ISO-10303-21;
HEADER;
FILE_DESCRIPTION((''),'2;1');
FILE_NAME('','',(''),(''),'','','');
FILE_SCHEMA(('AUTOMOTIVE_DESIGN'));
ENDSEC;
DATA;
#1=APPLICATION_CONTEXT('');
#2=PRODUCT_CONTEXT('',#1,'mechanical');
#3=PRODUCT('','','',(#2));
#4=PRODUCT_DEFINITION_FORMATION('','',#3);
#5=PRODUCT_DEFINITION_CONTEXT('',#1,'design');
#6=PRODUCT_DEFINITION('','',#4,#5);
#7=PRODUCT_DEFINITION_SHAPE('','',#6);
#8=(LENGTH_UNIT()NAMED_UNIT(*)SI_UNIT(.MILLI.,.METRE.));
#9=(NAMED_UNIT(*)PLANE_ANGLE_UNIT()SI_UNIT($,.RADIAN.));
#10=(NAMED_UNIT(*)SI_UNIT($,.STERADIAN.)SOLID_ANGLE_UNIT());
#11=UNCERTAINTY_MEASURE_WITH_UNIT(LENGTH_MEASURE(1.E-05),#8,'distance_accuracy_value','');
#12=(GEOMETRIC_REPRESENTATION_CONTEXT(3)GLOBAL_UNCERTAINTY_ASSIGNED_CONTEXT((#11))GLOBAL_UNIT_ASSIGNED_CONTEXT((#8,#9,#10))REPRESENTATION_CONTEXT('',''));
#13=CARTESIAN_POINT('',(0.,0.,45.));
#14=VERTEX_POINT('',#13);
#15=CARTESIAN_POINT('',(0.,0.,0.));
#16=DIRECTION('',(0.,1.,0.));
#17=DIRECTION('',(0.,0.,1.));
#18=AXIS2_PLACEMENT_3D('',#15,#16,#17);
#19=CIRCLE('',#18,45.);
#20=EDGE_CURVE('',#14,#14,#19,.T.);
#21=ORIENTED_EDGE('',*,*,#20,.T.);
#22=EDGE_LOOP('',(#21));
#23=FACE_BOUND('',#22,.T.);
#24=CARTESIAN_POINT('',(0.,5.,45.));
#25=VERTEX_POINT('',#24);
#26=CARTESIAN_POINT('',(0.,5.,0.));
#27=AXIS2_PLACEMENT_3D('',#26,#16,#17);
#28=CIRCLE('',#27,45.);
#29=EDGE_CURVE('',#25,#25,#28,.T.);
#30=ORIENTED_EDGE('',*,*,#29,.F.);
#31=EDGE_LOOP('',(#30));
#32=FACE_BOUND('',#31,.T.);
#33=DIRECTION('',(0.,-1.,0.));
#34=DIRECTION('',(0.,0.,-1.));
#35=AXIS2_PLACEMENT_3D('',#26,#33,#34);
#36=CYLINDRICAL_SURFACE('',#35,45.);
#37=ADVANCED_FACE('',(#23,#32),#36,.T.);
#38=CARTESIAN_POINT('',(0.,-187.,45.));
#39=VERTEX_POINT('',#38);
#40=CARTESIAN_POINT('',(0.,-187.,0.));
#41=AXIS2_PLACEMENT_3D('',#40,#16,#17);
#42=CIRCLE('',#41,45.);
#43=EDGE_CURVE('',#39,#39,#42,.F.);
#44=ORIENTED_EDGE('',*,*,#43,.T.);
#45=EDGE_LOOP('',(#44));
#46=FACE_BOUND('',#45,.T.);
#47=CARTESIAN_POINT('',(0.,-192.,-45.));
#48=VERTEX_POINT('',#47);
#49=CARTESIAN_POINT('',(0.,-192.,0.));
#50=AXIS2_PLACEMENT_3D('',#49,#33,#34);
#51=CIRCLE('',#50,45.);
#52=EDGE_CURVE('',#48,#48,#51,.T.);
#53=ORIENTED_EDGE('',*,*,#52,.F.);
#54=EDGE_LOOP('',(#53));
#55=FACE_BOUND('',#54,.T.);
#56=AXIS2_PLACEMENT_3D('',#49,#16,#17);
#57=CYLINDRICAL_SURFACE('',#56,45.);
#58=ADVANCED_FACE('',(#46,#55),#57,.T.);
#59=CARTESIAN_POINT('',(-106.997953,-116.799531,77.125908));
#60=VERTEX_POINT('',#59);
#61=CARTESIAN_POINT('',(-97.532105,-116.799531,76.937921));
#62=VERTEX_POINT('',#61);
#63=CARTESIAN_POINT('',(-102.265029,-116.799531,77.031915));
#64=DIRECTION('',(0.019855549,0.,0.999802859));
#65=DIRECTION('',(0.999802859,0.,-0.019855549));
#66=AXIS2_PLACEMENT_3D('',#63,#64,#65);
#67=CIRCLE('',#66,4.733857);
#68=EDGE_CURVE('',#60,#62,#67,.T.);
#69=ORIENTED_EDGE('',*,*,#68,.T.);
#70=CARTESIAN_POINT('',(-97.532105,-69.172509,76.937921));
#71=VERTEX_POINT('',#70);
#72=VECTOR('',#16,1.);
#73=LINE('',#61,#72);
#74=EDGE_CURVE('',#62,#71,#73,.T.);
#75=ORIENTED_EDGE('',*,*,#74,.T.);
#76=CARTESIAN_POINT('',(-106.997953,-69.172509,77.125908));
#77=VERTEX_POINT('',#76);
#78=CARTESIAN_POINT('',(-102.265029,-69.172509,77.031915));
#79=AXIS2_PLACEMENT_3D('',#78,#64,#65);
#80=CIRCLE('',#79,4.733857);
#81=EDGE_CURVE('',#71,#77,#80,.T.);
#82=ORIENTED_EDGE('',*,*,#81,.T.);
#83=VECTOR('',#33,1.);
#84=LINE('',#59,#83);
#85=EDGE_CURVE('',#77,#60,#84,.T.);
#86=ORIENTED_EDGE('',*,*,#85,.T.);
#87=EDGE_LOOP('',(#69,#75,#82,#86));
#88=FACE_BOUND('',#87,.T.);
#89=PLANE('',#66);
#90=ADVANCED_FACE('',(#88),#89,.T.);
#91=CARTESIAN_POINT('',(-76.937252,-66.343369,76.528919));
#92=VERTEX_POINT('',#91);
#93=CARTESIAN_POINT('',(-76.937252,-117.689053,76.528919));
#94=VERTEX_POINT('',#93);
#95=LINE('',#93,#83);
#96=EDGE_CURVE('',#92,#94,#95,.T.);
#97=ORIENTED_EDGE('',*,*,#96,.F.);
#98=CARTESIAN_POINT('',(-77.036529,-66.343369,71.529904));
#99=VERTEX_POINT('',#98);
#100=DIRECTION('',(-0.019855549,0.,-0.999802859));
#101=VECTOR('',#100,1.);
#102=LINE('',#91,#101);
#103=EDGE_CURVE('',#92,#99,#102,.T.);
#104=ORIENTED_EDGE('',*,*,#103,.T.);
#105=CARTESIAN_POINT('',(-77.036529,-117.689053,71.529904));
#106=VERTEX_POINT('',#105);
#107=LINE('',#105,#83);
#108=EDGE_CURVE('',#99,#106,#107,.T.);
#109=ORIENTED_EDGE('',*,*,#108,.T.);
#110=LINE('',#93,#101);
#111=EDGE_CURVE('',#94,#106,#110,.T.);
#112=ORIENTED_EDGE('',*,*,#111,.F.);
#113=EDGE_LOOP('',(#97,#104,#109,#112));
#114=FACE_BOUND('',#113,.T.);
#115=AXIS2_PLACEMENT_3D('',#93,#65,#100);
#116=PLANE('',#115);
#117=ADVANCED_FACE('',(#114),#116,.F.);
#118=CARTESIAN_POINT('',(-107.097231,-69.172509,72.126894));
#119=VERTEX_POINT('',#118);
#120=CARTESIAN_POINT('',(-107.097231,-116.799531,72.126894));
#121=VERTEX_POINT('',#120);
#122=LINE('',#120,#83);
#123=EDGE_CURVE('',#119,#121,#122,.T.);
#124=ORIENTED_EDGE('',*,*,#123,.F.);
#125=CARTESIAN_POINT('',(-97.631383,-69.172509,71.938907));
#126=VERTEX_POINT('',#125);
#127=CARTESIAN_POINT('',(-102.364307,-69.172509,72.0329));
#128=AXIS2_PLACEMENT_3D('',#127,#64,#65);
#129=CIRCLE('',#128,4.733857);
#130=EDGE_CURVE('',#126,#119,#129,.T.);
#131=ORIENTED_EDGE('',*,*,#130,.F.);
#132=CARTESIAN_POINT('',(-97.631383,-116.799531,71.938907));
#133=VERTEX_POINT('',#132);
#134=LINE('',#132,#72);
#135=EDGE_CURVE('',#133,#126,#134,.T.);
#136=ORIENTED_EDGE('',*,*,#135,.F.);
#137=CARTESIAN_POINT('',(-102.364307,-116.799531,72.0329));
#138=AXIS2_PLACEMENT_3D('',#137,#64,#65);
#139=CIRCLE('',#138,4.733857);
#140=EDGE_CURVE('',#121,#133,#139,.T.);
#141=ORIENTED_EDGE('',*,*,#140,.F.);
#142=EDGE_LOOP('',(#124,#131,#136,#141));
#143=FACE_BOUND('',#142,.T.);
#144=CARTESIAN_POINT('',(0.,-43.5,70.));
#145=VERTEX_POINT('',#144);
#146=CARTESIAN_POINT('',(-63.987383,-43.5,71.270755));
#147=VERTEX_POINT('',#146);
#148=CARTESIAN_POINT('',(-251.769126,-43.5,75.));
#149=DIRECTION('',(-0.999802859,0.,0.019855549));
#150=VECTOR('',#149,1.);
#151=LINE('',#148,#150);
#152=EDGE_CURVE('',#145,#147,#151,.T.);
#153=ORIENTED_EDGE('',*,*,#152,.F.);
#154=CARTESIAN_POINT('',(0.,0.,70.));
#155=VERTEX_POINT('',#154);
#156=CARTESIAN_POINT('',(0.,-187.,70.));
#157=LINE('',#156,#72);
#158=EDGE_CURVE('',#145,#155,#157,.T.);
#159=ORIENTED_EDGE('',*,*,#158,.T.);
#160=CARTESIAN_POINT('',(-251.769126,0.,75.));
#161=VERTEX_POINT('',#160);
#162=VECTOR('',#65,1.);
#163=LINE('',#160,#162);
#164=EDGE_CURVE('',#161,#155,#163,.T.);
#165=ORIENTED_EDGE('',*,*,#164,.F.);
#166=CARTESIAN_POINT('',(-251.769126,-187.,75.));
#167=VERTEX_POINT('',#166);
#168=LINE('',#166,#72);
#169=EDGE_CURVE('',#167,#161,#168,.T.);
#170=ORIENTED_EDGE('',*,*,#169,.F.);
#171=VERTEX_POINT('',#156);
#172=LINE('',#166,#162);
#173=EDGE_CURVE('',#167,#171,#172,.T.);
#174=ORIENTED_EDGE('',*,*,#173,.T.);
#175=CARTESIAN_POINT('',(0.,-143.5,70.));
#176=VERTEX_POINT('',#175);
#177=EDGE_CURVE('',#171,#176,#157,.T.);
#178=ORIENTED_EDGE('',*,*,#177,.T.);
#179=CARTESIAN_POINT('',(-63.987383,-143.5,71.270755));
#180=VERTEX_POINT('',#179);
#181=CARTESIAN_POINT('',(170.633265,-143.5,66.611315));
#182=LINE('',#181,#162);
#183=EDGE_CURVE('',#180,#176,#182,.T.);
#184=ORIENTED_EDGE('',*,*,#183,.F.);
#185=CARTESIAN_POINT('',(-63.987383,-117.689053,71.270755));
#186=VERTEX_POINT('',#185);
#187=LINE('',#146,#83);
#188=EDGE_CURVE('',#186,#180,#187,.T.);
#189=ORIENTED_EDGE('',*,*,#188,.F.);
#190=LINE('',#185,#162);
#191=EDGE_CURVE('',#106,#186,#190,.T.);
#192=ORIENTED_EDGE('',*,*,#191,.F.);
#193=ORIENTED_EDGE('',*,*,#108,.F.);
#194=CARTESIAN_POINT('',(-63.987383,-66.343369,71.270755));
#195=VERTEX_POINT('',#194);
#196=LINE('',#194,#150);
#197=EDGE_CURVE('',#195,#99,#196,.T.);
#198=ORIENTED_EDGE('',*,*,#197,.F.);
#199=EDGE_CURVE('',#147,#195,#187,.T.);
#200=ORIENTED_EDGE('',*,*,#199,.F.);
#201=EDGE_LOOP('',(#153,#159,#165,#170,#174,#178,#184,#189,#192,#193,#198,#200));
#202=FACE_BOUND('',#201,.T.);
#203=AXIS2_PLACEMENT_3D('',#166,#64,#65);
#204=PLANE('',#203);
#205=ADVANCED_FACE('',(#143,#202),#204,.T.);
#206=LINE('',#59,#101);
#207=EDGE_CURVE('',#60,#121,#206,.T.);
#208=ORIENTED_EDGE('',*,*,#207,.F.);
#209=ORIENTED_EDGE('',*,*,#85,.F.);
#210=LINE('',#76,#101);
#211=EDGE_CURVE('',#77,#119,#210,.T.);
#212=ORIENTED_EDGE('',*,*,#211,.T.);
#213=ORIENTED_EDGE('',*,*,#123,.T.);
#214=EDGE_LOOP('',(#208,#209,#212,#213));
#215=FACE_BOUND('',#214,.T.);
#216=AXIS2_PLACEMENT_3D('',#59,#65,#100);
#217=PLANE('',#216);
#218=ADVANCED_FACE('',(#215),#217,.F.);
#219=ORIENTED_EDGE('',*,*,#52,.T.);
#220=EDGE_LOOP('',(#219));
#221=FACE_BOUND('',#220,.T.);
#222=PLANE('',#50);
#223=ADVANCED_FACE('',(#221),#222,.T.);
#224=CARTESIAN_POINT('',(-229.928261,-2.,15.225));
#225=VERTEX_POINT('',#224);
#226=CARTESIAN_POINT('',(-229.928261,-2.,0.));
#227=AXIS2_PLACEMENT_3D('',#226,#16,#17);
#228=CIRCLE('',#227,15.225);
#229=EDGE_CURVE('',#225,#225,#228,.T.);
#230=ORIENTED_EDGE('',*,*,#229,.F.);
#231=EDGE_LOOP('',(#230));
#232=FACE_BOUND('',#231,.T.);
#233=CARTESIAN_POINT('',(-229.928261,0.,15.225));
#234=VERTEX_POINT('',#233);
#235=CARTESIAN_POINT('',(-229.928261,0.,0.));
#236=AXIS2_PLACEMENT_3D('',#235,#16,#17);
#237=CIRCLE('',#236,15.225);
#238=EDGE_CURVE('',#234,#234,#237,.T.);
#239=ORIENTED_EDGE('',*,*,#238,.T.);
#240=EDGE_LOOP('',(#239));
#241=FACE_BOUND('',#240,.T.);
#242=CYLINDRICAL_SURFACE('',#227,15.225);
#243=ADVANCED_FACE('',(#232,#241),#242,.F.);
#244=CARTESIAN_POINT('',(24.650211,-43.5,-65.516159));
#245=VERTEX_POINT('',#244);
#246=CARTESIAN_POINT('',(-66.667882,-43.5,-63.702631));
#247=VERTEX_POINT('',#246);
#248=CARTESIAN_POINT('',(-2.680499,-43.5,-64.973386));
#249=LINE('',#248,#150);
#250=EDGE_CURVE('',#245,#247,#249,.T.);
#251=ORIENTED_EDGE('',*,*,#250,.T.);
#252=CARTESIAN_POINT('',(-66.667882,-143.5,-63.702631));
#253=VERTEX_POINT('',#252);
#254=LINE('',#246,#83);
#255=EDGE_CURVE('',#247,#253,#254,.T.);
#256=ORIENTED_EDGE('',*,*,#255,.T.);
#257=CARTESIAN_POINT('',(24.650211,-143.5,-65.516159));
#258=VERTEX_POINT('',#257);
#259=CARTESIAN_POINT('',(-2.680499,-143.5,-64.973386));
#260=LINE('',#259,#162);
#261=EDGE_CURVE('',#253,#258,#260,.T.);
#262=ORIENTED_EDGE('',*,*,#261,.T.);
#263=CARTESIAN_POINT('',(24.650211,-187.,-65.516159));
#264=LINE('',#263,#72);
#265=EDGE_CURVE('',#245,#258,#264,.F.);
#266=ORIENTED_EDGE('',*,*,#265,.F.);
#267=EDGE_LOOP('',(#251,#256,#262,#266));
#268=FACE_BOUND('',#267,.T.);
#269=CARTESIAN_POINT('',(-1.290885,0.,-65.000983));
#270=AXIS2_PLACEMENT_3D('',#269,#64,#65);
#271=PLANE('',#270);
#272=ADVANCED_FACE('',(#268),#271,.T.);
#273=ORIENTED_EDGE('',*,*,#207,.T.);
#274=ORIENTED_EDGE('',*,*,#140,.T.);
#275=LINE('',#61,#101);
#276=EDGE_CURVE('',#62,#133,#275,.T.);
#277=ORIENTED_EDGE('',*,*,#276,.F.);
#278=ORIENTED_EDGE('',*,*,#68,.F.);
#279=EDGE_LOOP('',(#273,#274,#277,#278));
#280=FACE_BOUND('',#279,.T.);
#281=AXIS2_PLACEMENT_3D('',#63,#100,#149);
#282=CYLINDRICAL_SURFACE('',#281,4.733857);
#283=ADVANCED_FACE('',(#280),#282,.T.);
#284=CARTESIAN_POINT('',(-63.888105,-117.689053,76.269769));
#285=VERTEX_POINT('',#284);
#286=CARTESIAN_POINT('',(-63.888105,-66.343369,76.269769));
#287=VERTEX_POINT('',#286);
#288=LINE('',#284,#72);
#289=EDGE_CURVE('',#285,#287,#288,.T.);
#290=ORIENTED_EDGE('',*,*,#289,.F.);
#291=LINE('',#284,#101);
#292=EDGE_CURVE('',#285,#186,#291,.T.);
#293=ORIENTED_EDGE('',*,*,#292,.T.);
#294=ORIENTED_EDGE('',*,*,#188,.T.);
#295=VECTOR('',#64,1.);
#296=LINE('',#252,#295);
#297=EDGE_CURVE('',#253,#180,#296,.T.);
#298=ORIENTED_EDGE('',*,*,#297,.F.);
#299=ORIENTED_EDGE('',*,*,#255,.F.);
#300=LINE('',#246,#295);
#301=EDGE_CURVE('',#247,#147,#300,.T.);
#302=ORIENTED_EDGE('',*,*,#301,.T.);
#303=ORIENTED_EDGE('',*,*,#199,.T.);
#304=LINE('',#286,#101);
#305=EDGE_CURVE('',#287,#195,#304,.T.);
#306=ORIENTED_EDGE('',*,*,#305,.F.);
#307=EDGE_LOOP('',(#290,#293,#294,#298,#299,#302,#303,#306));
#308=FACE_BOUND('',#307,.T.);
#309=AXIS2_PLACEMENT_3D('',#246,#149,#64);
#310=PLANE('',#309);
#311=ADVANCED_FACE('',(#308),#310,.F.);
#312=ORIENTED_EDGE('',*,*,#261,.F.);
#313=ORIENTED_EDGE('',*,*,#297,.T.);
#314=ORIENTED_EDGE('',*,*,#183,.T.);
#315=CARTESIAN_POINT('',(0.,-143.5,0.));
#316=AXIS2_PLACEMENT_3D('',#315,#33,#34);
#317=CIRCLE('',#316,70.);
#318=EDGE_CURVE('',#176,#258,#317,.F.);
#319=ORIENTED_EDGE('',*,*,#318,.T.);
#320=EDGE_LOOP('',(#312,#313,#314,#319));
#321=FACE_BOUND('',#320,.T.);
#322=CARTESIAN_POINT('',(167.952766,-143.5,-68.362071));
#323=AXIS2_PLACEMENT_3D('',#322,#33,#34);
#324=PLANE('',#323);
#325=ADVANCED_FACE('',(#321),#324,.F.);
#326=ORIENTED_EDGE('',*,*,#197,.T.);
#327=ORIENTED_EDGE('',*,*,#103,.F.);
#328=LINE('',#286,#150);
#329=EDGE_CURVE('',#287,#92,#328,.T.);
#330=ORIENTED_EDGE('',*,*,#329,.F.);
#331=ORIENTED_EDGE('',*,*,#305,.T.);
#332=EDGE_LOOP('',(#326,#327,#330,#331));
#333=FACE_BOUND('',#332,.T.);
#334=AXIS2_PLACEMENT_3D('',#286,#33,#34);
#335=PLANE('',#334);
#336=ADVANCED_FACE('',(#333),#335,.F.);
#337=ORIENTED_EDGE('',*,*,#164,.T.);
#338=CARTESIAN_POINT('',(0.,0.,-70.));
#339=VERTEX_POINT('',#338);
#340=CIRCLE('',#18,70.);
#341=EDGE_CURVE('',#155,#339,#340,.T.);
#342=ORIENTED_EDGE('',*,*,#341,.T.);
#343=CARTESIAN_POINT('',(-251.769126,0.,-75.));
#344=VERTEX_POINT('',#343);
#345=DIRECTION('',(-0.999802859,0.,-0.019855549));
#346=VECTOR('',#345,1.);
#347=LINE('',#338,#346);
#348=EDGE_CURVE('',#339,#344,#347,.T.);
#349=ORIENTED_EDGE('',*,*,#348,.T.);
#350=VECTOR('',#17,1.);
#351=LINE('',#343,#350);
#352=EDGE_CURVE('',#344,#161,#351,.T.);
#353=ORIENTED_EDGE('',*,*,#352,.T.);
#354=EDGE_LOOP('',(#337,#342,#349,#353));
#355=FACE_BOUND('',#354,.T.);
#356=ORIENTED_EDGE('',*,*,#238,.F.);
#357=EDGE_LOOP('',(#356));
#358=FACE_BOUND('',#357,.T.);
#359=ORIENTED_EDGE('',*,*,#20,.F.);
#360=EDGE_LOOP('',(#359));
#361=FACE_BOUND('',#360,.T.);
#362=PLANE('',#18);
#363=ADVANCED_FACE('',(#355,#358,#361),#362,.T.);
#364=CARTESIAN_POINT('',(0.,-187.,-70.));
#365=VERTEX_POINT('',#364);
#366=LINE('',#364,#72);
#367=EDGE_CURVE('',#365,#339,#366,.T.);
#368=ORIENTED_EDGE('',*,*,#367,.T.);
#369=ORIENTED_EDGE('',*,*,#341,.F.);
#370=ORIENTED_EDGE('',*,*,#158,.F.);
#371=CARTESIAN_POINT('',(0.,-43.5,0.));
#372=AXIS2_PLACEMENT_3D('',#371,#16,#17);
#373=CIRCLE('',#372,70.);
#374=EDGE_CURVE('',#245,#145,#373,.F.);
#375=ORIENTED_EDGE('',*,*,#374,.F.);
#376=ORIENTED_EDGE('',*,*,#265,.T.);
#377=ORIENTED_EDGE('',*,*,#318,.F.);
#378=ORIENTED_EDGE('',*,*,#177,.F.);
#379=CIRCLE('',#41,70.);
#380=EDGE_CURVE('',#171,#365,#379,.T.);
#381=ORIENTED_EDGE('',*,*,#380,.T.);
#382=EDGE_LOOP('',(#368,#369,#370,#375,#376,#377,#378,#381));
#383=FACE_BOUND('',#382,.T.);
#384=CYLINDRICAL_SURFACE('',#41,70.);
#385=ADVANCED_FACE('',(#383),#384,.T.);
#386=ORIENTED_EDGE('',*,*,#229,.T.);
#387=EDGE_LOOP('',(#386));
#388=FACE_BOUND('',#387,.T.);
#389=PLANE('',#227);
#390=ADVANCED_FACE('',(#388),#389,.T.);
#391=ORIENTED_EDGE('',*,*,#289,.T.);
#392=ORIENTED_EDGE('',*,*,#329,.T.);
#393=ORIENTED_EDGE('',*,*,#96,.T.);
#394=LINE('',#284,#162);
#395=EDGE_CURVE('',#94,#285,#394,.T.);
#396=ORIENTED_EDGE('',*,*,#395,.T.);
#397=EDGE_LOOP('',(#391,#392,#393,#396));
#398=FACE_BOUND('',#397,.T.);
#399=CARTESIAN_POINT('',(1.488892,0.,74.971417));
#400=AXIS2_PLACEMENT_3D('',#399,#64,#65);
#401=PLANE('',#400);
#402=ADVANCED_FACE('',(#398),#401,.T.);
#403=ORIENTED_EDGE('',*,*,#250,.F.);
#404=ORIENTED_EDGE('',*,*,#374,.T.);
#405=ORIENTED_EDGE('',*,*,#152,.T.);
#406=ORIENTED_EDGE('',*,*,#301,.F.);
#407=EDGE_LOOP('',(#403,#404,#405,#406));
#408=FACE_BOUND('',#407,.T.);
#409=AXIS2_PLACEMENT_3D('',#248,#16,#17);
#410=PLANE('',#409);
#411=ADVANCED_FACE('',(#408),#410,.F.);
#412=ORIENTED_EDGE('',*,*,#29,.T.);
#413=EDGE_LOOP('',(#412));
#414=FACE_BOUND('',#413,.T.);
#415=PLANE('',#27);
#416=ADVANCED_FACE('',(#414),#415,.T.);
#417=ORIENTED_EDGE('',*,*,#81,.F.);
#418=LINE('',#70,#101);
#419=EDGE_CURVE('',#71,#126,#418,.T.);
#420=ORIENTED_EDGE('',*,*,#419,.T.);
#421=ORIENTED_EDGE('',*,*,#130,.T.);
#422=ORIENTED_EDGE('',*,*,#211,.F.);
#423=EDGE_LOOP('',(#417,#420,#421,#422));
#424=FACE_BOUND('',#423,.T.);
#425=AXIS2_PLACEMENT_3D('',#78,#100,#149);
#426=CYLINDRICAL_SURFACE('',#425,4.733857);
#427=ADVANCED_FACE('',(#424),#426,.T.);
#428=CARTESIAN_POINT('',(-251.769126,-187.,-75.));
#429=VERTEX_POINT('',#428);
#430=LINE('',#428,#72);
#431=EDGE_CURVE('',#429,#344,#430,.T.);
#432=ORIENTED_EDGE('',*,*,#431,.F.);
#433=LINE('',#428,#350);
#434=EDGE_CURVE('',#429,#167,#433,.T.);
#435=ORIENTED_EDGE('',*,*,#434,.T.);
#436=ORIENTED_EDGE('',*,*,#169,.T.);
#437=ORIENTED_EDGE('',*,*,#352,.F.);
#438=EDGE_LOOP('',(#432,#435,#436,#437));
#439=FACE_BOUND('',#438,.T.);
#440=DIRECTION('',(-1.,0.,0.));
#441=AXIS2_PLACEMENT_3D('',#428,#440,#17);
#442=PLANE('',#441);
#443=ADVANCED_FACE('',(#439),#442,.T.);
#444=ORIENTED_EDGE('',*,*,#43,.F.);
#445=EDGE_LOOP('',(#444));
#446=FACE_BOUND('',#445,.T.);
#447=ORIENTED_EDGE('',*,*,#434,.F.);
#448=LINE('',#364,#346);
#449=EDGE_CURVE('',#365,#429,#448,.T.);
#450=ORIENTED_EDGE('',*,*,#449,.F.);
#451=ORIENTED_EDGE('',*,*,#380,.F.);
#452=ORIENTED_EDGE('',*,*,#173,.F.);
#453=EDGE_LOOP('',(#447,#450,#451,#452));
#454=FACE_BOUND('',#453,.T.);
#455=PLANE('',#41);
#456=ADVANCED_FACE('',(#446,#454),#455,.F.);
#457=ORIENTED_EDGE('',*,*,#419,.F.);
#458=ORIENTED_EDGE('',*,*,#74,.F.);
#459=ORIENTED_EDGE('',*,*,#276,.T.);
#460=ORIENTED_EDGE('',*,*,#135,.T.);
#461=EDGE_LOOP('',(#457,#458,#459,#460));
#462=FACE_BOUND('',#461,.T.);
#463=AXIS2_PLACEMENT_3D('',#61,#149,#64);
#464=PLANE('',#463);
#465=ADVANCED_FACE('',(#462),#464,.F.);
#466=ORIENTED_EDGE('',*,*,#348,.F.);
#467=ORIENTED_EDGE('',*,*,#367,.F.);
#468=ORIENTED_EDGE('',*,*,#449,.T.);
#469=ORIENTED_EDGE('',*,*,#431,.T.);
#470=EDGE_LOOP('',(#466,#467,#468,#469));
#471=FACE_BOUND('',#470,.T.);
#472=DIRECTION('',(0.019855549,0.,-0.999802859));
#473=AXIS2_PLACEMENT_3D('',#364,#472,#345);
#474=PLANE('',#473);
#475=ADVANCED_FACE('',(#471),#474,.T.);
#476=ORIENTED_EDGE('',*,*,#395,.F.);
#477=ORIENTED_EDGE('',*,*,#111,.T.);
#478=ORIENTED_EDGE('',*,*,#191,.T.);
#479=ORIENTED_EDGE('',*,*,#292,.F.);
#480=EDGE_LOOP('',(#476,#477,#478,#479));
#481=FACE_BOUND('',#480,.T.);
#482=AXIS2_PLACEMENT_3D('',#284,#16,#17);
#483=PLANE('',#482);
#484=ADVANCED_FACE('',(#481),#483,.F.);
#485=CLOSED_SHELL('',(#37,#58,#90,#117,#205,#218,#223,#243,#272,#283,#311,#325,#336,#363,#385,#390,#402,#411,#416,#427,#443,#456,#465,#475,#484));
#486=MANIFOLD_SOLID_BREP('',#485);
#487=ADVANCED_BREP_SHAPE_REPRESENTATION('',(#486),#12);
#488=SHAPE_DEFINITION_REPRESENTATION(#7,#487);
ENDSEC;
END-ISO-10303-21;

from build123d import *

# Parameters (mm, degrees)
BOSS_EXTRUDE1_DEPTH = 187
CUT_EXTRUDE3_DEPTH  = 135
SKETCH3_W           = 208.90375788
SKETCH3_H           = 100
CUT_EXTRUDE4_DEPTH  = 175
SKETCH4_R           = 45
BOSS_EXTRUDE2_DEPTH = 5
BOSS_EXTRUDE3_START = 5
SKETCH5_R           = 45
BOSS_EXTRUDE3_DEPTH = 5
SKETCH6_W           = 13.051719475
SKETCH6_H           = 51.345683967
BOSS_EXTRUDE4_DEPTH = 5
BOSS_EXTRUDE5_DEPTH = 5
SKETCH8_R           = 15.225
CUT_EXTRUDE6_DEPTH  = 2


with BuildPart() as part:
    # Sketch1 → Boss-Extrude1 (new body)
    with BuildSketch(Plane(origin=(0, 0, 0), x_dir=(1, 0, 0), z_dir=(0, 1, 0))):
        with BuildLine():
            Line((0, 70), (-251.769125683, 75))
            Line((-251.769125683, 75), (-251.769125683, -75))
            Line((-251.769125683, -75), (0, -70))
            ThreePointArc((0, -70), (70, 0), (0, 70))
        make_face()
    extrude(amount=-BOSS_EXTRUDE1_DEPTH)

    # Sketch2 → Cut-Extrude3 (cut)
    with BuildSketch(Plane(origin=(1.38961445, 0, 69.972403001), x_dir=(0.9998028591480678, 0, -0.019855549333850253), z_dir=(0.019855549333850253, 0, 0.9998028591480679))):
        Polygon((-1.389888453, -43.5), (169.277022147, -43.5), (169.277022147, -143.5), (-1.389888453, -143.5), (-65.389888453, -143.5), (-65.389888453, -43.5), align=None)
    extrude(amount=-CUT_EXTRUDE3_DEPTH, mode=Mode.SUBTRACT)

    # Sketch3 → Cut-Extrude4 (cut)
    with BuildSketch(Plane(origin=(-1.29088471, 0, -65.000982984), x_dir=(0.9998028591480678, 0, -0.019855549333850163), z_dir=(0.019855549333850163, 0, 0.9998028591480679))):
        with Locations((39.061990487, -93.5)):
            Rectangle(SKETCH3_W, SKETCH3_H)
    extrude(amount=CUT_EXTRUDE4_DEPTH, mode=Mode.SUBTRACT)

    # Sketch4 → Boss-Extrude2 (add)
    with BuildSketch(Plane(origin=(0, 0, 0), x_dir=(1, 0, 0), z_dir=(0, 1, 0))):
        with Locations(Location((0, 0, 0), (0, 0, 270))):
            Circle(SKETCH4_R)
    extrude(amount=BOSS_EXTRUDE2_DEPTH)

    # Sketch5 → Boss-Extrude3 (add)
    with BuildSketch(Plane.XZ.offset(187).offset(BOSS_EXTRUDE3_START)):
        with Locations(Location((0, 0, 0), (0, 0, 90))):
            Circle(SKETCH5_R)
    extrude(amount=-BOSS_EXTRUDE3_DEPTH)

    # Sketch6 → Boss-Extrude4 (add)
    with BuildSketch(Plane(origin=(1.38961445, 0, 69.972403001), x_dir=(0.9998028591480678, 0, -0.019855549333850253), z_dir=(0.019855549333850253, 0, 0.9998028591480679))):
        with Locations((-71.915748191, -92.016210874)):
            Rectangle(SKETCH6_W, SKETCH6_H)
    extrude(amount=BOSS_EXTRUDE4_DEPTH)

    # Sketch7 → Boss-Extrude5 (add)
    with BuildSketch(Plane(origin=(1.38961445, 0, 69.972403001), x_dir=(0.9998028591480678, 0, -0.019855549333850253), z_dir=(0.019855549333850253, 0, 0.9998028591480679))):
        with BuildLine():
            Line((-108.508236533, -116.799531344), (-108.508236533, -69.172508895))
            ThreePointArc((-108.508236533, -69.172508895), (-103.774379298, -64.438651661), (-99.040522064, -69.172508895))
            Line((-99.040522064, -69.172508895), (-99.040522064, -116.799531344))
            ThreePointArc((-99.040522064, -116.799531344), (-103.774379298, -121.533388578), (-108.508236533, -116.799531344))
        make_face()
    extrude(amount=BOSS_EXTRUDE5_DEPTH)

    # Sketch8 → Cut-Extrude6 (cut)
    with BuildSketch(Plane(origin=(0, 0, 0), x_dir=(1, 0, 0), z_dir=(0, 1, 0))):
        with Locations(Location((-229.928260902, 0, 0), (0, 0, 270))):
            Circle(SKETCH8_R)
    extrude(amount=-CUT_EXTRUDE6_DEPTH, mode=Mode.SUBTRACT)


solid = part.part
